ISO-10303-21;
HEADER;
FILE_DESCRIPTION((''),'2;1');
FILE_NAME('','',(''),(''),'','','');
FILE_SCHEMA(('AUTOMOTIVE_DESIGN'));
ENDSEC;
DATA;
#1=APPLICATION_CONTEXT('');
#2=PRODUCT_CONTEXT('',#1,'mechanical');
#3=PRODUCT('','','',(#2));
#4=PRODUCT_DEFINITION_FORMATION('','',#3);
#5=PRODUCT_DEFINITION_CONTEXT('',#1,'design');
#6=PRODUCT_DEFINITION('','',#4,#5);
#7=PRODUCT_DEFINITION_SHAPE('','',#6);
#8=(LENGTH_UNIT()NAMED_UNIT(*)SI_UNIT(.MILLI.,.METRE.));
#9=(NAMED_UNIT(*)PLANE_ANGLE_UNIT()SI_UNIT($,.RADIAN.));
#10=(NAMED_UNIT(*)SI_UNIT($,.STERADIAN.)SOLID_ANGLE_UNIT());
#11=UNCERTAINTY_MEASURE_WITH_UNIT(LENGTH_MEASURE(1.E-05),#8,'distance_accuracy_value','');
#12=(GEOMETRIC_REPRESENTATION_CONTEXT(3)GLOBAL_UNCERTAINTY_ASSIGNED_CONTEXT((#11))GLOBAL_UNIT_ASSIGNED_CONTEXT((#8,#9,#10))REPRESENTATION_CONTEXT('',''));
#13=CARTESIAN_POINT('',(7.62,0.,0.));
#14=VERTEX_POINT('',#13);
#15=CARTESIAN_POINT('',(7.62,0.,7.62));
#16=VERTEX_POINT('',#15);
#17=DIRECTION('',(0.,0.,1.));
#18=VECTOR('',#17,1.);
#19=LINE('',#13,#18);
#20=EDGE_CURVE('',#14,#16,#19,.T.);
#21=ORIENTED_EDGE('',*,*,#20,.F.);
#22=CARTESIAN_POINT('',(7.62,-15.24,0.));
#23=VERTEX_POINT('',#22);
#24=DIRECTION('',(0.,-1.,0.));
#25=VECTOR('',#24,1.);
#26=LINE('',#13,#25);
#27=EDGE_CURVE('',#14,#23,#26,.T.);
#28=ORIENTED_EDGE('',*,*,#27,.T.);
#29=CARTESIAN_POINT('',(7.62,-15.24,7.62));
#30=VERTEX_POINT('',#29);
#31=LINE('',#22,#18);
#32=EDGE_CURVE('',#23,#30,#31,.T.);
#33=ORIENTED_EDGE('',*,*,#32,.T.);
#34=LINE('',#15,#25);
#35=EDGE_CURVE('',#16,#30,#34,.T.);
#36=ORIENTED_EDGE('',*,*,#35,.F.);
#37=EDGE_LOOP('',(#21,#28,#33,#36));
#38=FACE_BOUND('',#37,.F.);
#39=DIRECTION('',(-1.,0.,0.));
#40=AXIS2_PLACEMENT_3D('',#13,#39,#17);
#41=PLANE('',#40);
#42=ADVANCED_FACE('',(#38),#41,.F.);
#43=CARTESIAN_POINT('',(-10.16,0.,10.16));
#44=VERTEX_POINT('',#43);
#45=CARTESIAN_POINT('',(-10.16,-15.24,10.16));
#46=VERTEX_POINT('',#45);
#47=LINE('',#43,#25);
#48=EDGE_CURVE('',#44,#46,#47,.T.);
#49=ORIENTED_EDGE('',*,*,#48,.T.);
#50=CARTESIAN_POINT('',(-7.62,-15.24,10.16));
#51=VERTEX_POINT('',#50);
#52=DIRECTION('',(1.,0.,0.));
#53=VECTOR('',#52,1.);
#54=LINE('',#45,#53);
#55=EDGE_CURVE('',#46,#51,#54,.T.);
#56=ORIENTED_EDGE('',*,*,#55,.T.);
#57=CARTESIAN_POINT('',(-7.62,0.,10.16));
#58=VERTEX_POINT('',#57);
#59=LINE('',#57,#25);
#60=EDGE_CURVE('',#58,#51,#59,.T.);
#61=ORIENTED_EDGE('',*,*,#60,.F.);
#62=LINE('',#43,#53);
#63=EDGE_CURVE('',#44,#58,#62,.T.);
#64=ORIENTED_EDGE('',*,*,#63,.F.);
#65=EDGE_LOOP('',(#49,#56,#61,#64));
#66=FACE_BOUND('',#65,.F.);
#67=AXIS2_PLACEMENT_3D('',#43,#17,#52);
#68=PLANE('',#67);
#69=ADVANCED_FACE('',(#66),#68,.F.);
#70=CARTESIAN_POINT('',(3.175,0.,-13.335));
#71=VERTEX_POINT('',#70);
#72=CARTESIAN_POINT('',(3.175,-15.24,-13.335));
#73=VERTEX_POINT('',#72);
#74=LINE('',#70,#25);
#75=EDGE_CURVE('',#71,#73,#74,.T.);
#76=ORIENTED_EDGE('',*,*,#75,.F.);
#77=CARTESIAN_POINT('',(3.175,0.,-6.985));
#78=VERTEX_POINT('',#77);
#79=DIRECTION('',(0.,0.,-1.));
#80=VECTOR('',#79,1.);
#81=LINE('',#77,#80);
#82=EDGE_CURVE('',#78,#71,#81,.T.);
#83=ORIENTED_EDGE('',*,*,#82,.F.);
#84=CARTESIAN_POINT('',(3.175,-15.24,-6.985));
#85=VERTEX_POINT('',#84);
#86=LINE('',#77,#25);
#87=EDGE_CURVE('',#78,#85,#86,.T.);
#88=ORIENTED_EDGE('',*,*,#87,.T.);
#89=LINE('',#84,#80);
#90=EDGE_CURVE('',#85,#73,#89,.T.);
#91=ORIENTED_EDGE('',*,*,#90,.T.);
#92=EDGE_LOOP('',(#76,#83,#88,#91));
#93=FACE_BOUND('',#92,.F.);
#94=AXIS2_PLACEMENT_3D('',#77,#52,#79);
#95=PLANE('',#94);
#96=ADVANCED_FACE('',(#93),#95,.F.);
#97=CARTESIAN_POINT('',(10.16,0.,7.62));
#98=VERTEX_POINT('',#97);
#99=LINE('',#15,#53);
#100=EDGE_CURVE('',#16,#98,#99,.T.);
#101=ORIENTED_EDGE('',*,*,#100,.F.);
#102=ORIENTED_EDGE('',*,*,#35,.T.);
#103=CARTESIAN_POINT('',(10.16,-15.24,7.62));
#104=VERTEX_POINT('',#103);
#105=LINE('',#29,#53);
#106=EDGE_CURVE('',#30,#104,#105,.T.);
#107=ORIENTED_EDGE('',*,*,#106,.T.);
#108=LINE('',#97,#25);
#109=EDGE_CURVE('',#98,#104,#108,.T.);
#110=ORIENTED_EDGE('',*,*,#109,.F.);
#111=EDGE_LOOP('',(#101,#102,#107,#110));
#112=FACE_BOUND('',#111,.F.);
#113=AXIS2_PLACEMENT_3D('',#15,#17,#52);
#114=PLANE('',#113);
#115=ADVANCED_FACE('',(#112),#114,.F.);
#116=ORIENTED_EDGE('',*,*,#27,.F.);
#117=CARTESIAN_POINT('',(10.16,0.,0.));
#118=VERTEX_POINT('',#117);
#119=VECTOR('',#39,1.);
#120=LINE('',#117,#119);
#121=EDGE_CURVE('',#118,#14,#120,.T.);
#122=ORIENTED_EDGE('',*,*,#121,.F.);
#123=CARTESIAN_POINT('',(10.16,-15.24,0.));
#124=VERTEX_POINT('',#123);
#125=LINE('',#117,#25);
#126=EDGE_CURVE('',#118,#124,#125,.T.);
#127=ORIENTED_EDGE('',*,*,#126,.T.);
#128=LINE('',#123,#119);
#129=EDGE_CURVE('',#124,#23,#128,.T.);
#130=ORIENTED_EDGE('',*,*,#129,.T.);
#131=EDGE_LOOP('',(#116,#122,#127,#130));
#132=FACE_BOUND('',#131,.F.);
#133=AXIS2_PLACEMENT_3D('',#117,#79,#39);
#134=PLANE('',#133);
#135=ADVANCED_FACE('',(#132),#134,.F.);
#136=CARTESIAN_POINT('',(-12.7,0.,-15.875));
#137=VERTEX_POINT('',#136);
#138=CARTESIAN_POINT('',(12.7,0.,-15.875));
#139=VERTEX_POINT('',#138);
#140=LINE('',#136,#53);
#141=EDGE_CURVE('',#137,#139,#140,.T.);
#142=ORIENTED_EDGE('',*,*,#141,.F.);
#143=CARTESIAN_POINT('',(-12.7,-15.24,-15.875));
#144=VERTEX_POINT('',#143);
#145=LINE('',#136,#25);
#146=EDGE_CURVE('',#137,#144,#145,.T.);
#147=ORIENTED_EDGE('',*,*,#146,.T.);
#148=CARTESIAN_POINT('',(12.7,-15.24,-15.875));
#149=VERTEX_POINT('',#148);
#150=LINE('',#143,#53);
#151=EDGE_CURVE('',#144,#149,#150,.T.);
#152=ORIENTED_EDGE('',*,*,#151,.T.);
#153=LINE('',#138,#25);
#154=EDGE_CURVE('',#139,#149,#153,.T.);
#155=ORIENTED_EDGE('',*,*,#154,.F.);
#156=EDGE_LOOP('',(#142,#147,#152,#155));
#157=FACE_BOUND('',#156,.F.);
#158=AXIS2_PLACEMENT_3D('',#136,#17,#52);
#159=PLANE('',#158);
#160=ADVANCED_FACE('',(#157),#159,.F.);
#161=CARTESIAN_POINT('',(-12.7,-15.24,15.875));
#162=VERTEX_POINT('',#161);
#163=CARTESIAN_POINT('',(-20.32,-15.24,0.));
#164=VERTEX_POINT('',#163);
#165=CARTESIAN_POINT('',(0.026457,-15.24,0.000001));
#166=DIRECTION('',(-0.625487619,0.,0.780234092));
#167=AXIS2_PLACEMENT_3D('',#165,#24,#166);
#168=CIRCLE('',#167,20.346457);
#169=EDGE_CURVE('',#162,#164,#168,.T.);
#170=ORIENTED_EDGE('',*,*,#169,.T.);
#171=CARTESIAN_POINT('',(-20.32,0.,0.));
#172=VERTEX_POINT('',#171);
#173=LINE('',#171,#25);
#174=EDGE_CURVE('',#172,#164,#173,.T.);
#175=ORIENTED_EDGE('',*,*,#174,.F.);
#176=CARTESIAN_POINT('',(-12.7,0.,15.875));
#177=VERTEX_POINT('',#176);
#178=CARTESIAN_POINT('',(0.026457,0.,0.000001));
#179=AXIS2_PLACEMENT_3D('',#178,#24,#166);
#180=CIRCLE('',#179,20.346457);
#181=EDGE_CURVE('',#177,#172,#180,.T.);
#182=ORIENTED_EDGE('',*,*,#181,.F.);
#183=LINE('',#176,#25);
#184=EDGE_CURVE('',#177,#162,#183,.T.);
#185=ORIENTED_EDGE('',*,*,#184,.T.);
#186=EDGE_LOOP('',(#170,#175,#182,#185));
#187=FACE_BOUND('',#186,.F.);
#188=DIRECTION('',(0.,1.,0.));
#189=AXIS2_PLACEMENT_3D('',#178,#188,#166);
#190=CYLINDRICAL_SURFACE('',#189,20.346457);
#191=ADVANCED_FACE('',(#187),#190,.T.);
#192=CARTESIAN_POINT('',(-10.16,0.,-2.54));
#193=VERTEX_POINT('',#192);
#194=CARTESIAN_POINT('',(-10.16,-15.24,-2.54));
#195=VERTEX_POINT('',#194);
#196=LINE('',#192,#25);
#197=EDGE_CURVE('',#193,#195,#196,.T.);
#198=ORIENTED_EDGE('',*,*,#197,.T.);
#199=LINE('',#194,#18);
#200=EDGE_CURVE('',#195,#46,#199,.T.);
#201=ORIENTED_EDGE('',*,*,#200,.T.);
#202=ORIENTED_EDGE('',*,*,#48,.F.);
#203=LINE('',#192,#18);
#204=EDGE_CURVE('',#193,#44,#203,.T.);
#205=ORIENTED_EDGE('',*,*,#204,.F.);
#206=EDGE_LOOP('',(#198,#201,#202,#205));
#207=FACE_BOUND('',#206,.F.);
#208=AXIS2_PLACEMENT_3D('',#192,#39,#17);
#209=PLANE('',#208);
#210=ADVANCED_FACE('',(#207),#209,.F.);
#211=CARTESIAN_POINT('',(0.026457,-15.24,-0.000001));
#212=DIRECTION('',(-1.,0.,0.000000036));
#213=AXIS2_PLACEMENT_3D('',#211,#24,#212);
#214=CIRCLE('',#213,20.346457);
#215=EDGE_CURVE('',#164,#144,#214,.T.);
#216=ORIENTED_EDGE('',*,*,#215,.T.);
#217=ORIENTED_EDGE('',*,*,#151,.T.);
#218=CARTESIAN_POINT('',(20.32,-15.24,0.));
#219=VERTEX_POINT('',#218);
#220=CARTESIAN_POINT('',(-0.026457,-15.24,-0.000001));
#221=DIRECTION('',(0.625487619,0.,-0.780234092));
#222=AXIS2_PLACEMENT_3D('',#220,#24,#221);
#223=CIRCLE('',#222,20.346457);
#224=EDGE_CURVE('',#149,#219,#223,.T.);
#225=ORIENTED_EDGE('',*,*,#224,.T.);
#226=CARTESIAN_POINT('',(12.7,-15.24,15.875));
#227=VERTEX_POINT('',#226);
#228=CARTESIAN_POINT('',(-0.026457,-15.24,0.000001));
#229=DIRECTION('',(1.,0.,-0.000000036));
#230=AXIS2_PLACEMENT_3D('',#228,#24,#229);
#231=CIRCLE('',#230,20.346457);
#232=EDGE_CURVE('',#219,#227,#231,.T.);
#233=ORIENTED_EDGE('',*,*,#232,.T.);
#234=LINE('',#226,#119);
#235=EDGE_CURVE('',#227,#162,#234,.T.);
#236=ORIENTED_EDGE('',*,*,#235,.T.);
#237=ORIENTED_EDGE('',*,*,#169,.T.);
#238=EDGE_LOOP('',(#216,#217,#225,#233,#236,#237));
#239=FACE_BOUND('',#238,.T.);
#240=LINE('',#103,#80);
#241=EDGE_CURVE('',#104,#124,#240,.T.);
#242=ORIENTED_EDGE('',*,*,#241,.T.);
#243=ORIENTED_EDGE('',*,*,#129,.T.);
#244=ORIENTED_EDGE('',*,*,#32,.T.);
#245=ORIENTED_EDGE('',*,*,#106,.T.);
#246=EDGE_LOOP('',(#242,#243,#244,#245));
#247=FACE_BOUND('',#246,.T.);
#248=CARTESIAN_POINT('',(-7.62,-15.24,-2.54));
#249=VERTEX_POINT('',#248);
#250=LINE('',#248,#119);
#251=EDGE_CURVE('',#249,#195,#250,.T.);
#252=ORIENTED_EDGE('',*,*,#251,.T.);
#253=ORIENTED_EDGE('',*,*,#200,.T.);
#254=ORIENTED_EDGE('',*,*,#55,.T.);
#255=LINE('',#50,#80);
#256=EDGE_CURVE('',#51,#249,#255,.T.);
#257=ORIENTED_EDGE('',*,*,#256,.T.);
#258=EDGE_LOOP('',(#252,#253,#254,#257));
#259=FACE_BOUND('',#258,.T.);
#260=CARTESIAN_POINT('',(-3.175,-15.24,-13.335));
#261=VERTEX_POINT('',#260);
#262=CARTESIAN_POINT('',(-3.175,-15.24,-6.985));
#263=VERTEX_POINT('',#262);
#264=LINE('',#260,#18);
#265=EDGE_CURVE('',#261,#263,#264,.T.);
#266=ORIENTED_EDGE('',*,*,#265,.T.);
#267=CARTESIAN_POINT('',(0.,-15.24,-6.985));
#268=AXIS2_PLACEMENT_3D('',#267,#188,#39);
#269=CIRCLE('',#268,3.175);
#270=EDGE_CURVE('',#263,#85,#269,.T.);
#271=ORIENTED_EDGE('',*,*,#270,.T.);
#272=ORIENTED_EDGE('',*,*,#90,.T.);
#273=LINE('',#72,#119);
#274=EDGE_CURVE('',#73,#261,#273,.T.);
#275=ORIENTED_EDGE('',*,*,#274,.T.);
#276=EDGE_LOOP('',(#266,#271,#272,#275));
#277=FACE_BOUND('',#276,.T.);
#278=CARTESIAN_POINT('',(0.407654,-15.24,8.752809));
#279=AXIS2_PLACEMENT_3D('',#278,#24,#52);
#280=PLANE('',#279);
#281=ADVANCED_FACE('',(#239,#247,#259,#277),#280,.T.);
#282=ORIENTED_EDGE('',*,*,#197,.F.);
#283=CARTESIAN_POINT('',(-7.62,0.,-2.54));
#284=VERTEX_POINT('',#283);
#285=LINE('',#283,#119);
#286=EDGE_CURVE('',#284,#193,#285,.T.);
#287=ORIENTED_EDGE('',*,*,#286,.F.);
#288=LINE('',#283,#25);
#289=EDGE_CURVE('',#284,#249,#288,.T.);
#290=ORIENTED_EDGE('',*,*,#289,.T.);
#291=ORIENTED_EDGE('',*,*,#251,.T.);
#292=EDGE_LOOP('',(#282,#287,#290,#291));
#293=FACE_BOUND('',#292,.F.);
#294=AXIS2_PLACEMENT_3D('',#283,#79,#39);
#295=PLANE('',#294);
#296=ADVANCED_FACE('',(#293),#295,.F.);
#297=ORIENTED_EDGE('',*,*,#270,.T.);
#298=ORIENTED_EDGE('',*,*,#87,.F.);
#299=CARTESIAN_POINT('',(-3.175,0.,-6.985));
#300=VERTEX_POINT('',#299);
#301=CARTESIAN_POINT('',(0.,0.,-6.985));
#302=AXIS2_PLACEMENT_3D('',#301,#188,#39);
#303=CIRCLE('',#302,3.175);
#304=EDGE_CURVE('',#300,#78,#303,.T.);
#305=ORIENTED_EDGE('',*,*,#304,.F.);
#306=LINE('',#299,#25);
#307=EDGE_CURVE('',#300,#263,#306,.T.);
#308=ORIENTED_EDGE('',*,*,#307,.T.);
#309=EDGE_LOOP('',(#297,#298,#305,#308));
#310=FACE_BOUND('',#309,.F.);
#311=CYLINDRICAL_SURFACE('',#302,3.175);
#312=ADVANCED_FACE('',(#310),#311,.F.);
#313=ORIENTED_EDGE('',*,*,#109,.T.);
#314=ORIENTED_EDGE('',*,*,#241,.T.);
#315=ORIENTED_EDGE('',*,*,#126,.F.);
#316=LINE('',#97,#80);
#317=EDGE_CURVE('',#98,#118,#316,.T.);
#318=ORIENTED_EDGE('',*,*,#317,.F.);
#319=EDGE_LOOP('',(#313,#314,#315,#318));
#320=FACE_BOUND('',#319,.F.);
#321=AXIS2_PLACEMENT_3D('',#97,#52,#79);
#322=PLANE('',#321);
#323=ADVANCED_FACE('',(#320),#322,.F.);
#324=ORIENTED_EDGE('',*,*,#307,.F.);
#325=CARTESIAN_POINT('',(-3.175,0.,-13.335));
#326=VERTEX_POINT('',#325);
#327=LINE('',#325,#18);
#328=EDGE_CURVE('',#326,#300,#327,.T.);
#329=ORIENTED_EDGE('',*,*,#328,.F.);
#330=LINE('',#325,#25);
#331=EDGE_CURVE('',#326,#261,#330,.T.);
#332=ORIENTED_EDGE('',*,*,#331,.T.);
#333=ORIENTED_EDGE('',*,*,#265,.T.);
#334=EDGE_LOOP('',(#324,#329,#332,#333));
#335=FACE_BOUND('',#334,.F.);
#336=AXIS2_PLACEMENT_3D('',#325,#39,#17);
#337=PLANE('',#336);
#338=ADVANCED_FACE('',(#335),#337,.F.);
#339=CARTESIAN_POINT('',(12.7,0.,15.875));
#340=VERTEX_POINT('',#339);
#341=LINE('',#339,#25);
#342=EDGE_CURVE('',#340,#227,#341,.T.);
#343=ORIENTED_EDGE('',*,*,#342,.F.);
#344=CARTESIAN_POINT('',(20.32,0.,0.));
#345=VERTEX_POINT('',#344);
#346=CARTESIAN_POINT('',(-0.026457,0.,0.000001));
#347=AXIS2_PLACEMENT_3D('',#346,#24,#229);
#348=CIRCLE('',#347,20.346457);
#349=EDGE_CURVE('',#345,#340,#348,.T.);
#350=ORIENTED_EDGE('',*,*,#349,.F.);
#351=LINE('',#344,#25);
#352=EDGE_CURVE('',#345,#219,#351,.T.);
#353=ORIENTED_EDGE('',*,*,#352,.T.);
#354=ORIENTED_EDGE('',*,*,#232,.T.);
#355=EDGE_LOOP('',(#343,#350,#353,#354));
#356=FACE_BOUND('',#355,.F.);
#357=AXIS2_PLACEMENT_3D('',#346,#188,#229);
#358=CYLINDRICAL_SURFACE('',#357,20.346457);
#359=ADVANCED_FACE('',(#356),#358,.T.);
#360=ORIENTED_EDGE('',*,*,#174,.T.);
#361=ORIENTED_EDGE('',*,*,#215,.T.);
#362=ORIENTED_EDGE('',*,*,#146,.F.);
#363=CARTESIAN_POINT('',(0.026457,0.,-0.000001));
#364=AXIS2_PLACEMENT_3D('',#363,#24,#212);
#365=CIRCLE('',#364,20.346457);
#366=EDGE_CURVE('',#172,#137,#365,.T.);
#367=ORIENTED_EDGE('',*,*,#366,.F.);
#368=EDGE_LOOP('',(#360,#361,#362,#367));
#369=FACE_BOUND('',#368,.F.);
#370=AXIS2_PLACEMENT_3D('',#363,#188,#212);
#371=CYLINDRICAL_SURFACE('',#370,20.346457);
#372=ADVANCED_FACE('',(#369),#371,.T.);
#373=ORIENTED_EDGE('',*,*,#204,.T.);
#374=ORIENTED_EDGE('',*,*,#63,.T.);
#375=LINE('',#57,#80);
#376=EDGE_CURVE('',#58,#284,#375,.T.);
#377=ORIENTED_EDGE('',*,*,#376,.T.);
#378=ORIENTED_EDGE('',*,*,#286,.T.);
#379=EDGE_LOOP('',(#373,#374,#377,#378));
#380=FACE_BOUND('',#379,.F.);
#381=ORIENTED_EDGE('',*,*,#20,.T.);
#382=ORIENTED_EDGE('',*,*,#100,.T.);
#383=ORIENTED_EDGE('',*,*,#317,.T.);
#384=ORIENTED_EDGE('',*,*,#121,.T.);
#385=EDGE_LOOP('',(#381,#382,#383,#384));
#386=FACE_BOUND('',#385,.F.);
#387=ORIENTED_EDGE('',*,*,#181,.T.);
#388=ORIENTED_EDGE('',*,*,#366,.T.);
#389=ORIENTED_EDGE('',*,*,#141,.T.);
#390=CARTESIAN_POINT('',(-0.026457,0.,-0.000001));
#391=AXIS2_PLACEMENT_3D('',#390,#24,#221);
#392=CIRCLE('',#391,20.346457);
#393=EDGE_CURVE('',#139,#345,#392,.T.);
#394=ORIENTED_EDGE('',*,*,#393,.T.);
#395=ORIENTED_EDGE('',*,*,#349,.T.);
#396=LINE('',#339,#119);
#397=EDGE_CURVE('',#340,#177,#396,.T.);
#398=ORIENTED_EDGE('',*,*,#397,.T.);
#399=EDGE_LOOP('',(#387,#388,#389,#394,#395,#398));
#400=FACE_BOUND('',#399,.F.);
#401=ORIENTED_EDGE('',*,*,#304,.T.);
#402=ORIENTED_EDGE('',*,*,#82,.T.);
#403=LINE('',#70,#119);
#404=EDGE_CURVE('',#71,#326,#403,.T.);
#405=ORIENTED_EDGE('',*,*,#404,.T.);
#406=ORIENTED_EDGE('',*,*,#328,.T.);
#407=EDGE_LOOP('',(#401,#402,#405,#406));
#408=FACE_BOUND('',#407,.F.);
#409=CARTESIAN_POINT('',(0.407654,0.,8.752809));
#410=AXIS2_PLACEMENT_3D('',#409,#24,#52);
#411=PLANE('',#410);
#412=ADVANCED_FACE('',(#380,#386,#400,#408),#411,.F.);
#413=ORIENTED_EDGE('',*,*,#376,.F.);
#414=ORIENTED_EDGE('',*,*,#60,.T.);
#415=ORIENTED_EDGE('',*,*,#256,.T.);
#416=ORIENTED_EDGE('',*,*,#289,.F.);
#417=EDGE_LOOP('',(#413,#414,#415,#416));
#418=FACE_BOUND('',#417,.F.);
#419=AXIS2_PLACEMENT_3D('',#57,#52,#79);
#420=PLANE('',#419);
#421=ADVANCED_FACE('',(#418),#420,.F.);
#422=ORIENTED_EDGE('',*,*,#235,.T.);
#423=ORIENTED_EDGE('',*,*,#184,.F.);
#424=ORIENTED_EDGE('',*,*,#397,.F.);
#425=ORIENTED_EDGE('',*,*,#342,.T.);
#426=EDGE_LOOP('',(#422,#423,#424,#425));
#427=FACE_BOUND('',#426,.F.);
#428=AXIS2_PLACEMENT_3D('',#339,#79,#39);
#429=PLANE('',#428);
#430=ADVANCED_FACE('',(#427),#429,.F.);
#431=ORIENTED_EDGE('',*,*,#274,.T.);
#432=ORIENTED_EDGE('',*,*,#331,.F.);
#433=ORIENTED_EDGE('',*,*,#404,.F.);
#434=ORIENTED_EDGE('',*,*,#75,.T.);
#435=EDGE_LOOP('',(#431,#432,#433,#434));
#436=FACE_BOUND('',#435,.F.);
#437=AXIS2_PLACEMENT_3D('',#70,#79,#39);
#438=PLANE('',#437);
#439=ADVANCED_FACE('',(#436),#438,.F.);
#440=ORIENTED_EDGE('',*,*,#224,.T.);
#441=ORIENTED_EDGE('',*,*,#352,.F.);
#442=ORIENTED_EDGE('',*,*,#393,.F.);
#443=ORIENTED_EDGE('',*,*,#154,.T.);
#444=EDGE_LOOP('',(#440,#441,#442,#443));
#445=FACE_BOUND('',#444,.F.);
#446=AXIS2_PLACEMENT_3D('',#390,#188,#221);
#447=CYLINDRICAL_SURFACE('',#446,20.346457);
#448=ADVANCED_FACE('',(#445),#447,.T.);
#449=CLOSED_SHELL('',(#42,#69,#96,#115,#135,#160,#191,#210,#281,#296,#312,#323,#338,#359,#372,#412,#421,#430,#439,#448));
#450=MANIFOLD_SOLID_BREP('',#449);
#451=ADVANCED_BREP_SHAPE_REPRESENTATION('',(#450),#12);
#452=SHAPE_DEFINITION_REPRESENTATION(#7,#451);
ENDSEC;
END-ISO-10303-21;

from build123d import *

# Parameters (mm, degrees)
F0_W     = 2.54
F0_H     = 3.81
F1_DEPTH = 15.24


with BuildPart() as f1:
    # F0 (on Front) → F1 (new body)
    with BuildSketch(Plane.XZ):
        Polygon((12.7, 0), (12.7, 15.875), (-12.7, 15.875), (-12.7, 3.81), (-10.16, 3.81), (-10.16, 10.16), (-7.62, 10.16), (-7.62, 3.81), (7.62, 3.81), (7.62, 7.62), (10.16, 7.62), (10.16, 0), align=None)
        with BuildLine():
            ThreePointArc((20.32, 0), (18.316343, 8.804545), (12.7, 15.875))
            Line((12.7, 15.875), (12.7, 0))
            Line((12.7, 0), (20.32, 0))
        make_face()
        Polygon((12.7, -15.875), (12.7, 0), (10.16, 0), (7.62, 0), (7.62, 3.81), (-7.62, 3.81), (-7.62, -2.54), (-10.16, -2.54), (-10.16, 0), (-12.7, 0), (-12.7, -15.875), (0, -15.875), align=None)
        with BuildLine():
            Line((3.175, -13.335), (0, -13.335))
            Line((0, -13.335), (-3.175, -13.335))
            Line((-3.175, -13.335), (-3.175, -6.985))
            ThreePointArc((-3.175, -6.985), (0, -3.81), (3.175, -6.985))
            Line((3.175, -6.985), (3.175, -13.335))
        make_face(mode=Mode.SUBTRACT)
        with BuildLine():
            Line((20.32, 0), (12.7, 0))
            Line((12.7, 0), (12.7, -15.875))
            ThreePointArc((12.7, -15.875), (18.316343, -8.804545), (20.32, 0))
        make_face()
        with Locations((-11.43, 1.905)):
            Rectangle(F0_W, F0_H)
        with BuildLine():
            Line((-12.7, 3.81), (-12.7, 15.875))
            ThreePointArc((-12.7, 15.875), (-18.316343, 8.804545), (-20.32, 0))
            Line((-20.32, 0), (-12.7, 0))
            Line((-12.7, 0), (-12.7, 3.81))
        make_face()
        with BuildLine():
            Line((-12.7, 0), (-20.32, 0))
            ThreePointArc((-20.32, 0), (-18.316343, -8.804545), (-12.7, -15.875))
            Line((-12.7, -15.875), (-12.7, 0))
        make_face()
    extrude(amount=F1_DEPTH)


solid = f1.part
